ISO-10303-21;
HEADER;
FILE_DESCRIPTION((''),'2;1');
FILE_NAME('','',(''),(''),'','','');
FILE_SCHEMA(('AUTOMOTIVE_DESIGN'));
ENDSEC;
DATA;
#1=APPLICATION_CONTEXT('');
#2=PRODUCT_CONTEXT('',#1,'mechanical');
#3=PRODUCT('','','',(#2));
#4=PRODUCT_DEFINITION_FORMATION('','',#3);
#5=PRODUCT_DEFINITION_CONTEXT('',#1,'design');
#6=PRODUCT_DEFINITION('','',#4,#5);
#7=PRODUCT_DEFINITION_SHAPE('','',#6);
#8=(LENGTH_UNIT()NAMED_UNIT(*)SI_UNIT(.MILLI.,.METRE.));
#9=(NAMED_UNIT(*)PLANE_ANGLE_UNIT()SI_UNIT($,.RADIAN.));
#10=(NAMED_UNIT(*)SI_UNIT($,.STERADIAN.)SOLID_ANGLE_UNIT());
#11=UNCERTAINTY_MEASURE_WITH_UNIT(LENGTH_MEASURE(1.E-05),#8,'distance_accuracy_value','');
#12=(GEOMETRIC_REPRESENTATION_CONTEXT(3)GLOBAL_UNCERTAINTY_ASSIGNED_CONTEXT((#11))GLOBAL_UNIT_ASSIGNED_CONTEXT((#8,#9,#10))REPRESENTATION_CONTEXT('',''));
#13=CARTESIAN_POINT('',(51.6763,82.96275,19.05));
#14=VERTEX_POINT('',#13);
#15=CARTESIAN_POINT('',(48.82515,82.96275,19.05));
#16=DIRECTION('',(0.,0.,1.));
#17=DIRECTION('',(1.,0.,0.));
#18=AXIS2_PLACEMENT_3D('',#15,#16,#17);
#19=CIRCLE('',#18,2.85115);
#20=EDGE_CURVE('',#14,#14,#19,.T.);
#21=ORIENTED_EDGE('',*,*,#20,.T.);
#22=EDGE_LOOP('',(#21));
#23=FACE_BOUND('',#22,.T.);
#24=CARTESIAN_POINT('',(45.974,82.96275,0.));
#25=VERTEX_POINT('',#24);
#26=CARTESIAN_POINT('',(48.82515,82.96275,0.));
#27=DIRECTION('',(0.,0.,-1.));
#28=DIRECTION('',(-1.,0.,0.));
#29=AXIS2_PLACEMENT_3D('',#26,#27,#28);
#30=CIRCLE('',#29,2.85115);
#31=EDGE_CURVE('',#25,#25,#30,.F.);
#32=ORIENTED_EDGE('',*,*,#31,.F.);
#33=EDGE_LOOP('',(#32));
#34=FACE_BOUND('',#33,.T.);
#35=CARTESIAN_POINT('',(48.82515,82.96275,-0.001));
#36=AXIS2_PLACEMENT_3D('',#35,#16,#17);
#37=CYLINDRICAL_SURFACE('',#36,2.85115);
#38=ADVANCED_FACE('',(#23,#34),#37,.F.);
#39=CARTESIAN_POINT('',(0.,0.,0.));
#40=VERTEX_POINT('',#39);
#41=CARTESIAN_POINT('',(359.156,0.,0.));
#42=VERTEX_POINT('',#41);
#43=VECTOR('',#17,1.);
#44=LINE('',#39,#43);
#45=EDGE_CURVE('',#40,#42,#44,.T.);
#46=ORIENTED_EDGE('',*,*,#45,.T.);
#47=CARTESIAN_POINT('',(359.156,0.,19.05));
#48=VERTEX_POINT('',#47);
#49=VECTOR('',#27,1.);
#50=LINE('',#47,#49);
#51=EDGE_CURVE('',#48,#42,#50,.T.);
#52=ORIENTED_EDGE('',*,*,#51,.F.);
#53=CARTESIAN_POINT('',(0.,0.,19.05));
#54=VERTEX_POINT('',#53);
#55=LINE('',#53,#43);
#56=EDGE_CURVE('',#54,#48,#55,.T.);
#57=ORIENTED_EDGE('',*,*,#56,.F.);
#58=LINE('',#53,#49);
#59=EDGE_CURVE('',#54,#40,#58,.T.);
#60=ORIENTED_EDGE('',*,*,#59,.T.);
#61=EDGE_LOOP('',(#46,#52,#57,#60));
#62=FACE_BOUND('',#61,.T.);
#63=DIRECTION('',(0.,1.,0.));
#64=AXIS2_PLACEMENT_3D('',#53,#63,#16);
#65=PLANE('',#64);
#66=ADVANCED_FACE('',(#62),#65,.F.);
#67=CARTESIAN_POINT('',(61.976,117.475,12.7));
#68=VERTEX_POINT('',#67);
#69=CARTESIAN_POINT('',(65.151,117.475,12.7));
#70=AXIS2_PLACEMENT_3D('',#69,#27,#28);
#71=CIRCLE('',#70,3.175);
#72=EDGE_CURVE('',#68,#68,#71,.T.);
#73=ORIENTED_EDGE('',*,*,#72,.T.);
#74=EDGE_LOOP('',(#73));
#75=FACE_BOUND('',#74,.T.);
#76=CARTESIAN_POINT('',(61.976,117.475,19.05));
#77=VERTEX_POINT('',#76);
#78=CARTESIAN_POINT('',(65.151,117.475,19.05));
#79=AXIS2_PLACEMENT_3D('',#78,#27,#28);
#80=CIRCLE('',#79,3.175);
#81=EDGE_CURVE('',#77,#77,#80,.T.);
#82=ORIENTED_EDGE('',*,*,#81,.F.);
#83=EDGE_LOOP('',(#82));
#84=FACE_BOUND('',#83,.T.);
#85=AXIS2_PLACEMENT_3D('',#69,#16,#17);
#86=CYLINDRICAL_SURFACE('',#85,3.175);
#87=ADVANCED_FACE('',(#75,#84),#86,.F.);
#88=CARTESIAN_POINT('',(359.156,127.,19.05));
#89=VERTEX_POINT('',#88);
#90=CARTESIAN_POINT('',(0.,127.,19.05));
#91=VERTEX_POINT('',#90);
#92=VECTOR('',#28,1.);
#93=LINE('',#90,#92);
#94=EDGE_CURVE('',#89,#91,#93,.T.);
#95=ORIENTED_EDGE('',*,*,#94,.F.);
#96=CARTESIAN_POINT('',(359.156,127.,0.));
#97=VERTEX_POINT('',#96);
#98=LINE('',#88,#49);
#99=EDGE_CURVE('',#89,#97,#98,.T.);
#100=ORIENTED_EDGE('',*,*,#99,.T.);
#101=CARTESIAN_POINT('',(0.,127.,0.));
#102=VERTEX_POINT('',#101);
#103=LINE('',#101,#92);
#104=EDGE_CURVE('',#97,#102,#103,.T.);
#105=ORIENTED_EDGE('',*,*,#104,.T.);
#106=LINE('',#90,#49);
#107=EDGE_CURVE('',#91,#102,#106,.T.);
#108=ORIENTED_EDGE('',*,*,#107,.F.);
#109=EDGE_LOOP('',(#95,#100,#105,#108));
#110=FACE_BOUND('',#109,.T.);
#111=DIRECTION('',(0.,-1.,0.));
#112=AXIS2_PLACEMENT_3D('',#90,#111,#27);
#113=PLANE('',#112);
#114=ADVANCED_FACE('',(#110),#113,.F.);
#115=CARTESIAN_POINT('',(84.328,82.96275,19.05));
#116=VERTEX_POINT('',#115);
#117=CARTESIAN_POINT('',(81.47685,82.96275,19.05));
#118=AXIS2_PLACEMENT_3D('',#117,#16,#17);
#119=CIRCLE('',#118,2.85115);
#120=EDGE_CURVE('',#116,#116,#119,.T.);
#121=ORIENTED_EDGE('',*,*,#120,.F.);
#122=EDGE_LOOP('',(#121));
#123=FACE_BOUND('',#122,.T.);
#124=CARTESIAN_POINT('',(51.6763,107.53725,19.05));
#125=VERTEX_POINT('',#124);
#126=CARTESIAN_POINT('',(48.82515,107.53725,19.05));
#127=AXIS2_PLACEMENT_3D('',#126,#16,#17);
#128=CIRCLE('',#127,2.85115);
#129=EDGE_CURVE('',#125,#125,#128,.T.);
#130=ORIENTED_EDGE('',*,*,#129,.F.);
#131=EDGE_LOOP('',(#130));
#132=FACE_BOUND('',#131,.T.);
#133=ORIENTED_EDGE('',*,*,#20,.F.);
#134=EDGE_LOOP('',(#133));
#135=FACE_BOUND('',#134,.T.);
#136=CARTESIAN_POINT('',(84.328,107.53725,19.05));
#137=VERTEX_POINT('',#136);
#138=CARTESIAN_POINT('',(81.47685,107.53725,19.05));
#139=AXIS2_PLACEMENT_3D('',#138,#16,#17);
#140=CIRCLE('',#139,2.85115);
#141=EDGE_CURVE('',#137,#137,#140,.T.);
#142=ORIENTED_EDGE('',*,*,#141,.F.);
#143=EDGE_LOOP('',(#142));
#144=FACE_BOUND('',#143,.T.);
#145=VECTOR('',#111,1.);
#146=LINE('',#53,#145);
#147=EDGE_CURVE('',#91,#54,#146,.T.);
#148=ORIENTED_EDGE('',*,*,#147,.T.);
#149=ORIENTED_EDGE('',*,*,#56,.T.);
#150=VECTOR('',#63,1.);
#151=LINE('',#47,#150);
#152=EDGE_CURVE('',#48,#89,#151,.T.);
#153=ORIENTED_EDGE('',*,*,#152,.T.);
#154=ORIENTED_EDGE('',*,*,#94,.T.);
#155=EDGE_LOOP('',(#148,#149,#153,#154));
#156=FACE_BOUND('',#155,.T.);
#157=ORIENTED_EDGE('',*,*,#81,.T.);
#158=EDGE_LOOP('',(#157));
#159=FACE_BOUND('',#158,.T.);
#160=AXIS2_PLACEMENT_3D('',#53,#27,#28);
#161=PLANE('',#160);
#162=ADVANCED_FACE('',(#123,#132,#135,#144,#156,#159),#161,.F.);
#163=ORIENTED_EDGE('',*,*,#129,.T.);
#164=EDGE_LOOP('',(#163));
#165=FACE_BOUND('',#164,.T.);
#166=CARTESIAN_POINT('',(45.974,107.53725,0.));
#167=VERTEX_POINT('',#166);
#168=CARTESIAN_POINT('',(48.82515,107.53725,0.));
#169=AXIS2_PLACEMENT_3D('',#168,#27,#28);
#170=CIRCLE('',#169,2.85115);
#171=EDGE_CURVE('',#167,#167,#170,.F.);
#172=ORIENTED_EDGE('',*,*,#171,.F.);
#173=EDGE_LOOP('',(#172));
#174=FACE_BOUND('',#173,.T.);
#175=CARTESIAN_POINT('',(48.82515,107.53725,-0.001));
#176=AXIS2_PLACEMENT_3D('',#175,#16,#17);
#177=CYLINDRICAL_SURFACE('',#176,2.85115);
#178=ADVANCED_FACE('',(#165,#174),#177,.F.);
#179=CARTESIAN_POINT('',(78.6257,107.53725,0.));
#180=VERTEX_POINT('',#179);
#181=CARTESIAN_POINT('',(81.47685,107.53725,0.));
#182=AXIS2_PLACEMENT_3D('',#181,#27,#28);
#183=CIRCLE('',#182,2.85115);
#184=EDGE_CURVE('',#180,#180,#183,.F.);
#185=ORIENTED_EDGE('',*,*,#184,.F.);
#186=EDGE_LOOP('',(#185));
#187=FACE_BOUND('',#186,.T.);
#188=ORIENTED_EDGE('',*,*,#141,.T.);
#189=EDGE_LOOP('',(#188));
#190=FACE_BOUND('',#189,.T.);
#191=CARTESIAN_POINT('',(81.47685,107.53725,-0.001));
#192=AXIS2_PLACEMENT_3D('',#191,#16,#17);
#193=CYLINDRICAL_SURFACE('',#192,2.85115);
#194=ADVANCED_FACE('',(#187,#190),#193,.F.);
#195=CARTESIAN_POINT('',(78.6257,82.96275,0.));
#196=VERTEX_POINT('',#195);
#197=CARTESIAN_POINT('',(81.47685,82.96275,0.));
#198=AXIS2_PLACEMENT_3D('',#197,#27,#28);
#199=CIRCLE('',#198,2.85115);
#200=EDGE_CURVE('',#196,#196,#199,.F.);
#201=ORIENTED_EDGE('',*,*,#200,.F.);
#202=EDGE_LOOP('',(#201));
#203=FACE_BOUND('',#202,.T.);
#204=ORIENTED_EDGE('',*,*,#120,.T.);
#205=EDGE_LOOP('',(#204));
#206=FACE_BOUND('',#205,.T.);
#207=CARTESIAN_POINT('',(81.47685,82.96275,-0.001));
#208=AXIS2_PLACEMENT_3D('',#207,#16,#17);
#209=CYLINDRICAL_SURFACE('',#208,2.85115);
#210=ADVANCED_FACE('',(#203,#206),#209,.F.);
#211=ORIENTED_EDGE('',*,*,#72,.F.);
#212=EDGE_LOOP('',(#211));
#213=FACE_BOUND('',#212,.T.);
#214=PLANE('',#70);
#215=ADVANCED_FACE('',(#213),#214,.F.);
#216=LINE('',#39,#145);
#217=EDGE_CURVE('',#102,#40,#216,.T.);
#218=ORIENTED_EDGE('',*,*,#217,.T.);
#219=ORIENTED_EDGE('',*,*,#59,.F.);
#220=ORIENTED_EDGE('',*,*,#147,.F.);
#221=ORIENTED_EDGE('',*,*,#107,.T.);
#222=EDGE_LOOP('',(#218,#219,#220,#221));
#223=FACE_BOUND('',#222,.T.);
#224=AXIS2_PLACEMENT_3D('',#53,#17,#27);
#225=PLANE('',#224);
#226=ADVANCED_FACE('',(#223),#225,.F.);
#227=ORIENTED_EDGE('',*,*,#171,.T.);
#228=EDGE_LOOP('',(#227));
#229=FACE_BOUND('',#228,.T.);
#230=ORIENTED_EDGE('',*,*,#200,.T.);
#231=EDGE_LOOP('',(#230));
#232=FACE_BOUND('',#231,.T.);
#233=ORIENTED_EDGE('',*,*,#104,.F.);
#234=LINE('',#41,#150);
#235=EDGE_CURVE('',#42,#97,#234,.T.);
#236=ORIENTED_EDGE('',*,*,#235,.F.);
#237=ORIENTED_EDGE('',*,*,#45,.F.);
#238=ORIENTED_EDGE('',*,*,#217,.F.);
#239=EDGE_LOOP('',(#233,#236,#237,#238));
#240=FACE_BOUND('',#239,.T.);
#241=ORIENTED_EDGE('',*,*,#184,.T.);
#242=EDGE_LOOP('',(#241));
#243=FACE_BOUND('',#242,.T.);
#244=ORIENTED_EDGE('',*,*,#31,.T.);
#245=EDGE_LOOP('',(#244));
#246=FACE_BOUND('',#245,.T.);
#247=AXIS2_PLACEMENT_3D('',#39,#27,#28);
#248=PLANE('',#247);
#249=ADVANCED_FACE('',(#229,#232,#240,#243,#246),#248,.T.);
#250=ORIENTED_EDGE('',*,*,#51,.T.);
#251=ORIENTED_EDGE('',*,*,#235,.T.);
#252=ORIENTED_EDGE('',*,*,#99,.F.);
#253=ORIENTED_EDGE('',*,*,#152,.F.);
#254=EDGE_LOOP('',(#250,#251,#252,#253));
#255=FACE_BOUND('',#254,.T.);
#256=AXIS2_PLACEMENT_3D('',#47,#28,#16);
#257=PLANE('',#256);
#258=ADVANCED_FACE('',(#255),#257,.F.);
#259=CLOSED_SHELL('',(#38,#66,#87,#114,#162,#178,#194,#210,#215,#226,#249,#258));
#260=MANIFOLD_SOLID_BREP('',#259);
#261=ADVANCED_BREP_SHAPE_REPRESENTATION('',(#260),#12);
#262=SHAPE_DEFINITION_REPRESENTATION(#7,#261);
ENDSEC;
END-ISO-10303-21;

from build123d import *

# Parameters (mm, degrees)
SKETCH1_W           = 359.156
SKETCH1_H           = 127
BOSS_EXTRUDE1_DEPTH = 19.05
CUT_EXTRUDE1_REACH  = 21.05
SKETCH2_R           = 2.85115
CUT_EXTRUDE2_START  = -19.05
SKETCH3_R           = 3.175
CUT_EXTRUDE2_DEPTH  = 6.35


with BuildPart() as part:
    # Sketch1 → Boss-Extrude1 (new body)
    with BuildSketch(Plane.XY):
        with Locations((179.578, 63.5)):
            Rectangle(SKETCH1_W, SKETCH1_H)
    extrude(amount=BOSS_EXTRUDE1_DEPTH)

    # Sketch2 → Cut-Extrude1 (cut, up to next)
    with BuildSketch(Plane.XY.offset(19.05), mode=Mode.PRIVATE) as cut_extrude1_sk1:
        with Locations((48.82515, 82.96275)):
            Circle(SKETCH2_R)
    cut_extrude1_tool1 = extrude(cut_extrude1_sk1.sketch, amount=-CUT_EXTRUDE1_REACH, mode=Mode.PRIVATE) & part.part
    add(cut_extrude1_tool1.solids().sort_by_distance((48.82515, 82.96275, 19.05))[0], mode=Mode.SUBTRACT)
    # Sketch2 → Cut-Extrude1 (cut, up to next)
    with BuildSketch(Plane.XY.offset(19.05), mode=Mode.PRIVATE) as cut_extrude1_sk2:
        with Locations((48.82515, 107.53725)):
            Circle(SKETCH2_R)
    cut_extrude1_tool2 = extrude(cut_extrude1_sk2.sketch, amount=-CUT_EXTRUDE1_REACH, mode=Mode.PRIVATE) & part.part
    add(cut_extrude1_tool2.solids().sort_by_distance((48.82515, 107.53725, 19.05))[0], mode=Mode.SUBTRACT)
    # Sketch2 → Cut-Extrude1 (cut, up to next)
    with BuildSketch(Plane.XY.offset(19.05), mode=Mode.PRIVATE) as cut_extrude1_sk3:
        with Locations((81.47685, 107.53725)):
            Circle(SKETCH2_R)
    cut_extrude1_tool3 = extrude(cut_extrude1_sk3.sketch, amount=-CUT_EXTRUDE1_REACH, mode=Mode.PRIVATE) & part.part
    add(cut_extrude1_tool3.solids().sort_by_distance((81.47685, 107.53725, 19.05))[0], mode=Mode.SUBTRACT)
    # Sketch2 → Cut-Extrude1 (cut, up to next)
    with BuildSketch(Plane.XY.offset(19.05), mode=Mode.PRIVATE) as cut_extrude1_sk4:
        with Locations((81.47685, 82.96275)):
            Circle(SKETCH2_R)
    cut_extrude1_tool4 = extrude(cut_extrude1_sk4.sketch, amount=-CUT_EXTRUDE1_REACH, mode=Mode.PRIVATE) & part.part
    add(cut_extrude1_tool4.solids().sort_by_distance((81.47685, 82.96275, 19.05))[0], mode=Mode.SUBTRACT)

    # Sketch3 → Cut-Extrude2 (cut)
    with BuildSketch(Plane(origin=(0, 0, 0), x_dir=(-1, 0, 0), z_dir=(0, 0, -1)).offset(CUT_EXTRUDE2_START)):
        with Locations((-65.151, 117.475)):
            Circle(SKETCH3_R)
    extrude(amount=CUT_EXTRUDE2_DEPTH, mode=Mode.SUBTRACT)


solid = part.part
